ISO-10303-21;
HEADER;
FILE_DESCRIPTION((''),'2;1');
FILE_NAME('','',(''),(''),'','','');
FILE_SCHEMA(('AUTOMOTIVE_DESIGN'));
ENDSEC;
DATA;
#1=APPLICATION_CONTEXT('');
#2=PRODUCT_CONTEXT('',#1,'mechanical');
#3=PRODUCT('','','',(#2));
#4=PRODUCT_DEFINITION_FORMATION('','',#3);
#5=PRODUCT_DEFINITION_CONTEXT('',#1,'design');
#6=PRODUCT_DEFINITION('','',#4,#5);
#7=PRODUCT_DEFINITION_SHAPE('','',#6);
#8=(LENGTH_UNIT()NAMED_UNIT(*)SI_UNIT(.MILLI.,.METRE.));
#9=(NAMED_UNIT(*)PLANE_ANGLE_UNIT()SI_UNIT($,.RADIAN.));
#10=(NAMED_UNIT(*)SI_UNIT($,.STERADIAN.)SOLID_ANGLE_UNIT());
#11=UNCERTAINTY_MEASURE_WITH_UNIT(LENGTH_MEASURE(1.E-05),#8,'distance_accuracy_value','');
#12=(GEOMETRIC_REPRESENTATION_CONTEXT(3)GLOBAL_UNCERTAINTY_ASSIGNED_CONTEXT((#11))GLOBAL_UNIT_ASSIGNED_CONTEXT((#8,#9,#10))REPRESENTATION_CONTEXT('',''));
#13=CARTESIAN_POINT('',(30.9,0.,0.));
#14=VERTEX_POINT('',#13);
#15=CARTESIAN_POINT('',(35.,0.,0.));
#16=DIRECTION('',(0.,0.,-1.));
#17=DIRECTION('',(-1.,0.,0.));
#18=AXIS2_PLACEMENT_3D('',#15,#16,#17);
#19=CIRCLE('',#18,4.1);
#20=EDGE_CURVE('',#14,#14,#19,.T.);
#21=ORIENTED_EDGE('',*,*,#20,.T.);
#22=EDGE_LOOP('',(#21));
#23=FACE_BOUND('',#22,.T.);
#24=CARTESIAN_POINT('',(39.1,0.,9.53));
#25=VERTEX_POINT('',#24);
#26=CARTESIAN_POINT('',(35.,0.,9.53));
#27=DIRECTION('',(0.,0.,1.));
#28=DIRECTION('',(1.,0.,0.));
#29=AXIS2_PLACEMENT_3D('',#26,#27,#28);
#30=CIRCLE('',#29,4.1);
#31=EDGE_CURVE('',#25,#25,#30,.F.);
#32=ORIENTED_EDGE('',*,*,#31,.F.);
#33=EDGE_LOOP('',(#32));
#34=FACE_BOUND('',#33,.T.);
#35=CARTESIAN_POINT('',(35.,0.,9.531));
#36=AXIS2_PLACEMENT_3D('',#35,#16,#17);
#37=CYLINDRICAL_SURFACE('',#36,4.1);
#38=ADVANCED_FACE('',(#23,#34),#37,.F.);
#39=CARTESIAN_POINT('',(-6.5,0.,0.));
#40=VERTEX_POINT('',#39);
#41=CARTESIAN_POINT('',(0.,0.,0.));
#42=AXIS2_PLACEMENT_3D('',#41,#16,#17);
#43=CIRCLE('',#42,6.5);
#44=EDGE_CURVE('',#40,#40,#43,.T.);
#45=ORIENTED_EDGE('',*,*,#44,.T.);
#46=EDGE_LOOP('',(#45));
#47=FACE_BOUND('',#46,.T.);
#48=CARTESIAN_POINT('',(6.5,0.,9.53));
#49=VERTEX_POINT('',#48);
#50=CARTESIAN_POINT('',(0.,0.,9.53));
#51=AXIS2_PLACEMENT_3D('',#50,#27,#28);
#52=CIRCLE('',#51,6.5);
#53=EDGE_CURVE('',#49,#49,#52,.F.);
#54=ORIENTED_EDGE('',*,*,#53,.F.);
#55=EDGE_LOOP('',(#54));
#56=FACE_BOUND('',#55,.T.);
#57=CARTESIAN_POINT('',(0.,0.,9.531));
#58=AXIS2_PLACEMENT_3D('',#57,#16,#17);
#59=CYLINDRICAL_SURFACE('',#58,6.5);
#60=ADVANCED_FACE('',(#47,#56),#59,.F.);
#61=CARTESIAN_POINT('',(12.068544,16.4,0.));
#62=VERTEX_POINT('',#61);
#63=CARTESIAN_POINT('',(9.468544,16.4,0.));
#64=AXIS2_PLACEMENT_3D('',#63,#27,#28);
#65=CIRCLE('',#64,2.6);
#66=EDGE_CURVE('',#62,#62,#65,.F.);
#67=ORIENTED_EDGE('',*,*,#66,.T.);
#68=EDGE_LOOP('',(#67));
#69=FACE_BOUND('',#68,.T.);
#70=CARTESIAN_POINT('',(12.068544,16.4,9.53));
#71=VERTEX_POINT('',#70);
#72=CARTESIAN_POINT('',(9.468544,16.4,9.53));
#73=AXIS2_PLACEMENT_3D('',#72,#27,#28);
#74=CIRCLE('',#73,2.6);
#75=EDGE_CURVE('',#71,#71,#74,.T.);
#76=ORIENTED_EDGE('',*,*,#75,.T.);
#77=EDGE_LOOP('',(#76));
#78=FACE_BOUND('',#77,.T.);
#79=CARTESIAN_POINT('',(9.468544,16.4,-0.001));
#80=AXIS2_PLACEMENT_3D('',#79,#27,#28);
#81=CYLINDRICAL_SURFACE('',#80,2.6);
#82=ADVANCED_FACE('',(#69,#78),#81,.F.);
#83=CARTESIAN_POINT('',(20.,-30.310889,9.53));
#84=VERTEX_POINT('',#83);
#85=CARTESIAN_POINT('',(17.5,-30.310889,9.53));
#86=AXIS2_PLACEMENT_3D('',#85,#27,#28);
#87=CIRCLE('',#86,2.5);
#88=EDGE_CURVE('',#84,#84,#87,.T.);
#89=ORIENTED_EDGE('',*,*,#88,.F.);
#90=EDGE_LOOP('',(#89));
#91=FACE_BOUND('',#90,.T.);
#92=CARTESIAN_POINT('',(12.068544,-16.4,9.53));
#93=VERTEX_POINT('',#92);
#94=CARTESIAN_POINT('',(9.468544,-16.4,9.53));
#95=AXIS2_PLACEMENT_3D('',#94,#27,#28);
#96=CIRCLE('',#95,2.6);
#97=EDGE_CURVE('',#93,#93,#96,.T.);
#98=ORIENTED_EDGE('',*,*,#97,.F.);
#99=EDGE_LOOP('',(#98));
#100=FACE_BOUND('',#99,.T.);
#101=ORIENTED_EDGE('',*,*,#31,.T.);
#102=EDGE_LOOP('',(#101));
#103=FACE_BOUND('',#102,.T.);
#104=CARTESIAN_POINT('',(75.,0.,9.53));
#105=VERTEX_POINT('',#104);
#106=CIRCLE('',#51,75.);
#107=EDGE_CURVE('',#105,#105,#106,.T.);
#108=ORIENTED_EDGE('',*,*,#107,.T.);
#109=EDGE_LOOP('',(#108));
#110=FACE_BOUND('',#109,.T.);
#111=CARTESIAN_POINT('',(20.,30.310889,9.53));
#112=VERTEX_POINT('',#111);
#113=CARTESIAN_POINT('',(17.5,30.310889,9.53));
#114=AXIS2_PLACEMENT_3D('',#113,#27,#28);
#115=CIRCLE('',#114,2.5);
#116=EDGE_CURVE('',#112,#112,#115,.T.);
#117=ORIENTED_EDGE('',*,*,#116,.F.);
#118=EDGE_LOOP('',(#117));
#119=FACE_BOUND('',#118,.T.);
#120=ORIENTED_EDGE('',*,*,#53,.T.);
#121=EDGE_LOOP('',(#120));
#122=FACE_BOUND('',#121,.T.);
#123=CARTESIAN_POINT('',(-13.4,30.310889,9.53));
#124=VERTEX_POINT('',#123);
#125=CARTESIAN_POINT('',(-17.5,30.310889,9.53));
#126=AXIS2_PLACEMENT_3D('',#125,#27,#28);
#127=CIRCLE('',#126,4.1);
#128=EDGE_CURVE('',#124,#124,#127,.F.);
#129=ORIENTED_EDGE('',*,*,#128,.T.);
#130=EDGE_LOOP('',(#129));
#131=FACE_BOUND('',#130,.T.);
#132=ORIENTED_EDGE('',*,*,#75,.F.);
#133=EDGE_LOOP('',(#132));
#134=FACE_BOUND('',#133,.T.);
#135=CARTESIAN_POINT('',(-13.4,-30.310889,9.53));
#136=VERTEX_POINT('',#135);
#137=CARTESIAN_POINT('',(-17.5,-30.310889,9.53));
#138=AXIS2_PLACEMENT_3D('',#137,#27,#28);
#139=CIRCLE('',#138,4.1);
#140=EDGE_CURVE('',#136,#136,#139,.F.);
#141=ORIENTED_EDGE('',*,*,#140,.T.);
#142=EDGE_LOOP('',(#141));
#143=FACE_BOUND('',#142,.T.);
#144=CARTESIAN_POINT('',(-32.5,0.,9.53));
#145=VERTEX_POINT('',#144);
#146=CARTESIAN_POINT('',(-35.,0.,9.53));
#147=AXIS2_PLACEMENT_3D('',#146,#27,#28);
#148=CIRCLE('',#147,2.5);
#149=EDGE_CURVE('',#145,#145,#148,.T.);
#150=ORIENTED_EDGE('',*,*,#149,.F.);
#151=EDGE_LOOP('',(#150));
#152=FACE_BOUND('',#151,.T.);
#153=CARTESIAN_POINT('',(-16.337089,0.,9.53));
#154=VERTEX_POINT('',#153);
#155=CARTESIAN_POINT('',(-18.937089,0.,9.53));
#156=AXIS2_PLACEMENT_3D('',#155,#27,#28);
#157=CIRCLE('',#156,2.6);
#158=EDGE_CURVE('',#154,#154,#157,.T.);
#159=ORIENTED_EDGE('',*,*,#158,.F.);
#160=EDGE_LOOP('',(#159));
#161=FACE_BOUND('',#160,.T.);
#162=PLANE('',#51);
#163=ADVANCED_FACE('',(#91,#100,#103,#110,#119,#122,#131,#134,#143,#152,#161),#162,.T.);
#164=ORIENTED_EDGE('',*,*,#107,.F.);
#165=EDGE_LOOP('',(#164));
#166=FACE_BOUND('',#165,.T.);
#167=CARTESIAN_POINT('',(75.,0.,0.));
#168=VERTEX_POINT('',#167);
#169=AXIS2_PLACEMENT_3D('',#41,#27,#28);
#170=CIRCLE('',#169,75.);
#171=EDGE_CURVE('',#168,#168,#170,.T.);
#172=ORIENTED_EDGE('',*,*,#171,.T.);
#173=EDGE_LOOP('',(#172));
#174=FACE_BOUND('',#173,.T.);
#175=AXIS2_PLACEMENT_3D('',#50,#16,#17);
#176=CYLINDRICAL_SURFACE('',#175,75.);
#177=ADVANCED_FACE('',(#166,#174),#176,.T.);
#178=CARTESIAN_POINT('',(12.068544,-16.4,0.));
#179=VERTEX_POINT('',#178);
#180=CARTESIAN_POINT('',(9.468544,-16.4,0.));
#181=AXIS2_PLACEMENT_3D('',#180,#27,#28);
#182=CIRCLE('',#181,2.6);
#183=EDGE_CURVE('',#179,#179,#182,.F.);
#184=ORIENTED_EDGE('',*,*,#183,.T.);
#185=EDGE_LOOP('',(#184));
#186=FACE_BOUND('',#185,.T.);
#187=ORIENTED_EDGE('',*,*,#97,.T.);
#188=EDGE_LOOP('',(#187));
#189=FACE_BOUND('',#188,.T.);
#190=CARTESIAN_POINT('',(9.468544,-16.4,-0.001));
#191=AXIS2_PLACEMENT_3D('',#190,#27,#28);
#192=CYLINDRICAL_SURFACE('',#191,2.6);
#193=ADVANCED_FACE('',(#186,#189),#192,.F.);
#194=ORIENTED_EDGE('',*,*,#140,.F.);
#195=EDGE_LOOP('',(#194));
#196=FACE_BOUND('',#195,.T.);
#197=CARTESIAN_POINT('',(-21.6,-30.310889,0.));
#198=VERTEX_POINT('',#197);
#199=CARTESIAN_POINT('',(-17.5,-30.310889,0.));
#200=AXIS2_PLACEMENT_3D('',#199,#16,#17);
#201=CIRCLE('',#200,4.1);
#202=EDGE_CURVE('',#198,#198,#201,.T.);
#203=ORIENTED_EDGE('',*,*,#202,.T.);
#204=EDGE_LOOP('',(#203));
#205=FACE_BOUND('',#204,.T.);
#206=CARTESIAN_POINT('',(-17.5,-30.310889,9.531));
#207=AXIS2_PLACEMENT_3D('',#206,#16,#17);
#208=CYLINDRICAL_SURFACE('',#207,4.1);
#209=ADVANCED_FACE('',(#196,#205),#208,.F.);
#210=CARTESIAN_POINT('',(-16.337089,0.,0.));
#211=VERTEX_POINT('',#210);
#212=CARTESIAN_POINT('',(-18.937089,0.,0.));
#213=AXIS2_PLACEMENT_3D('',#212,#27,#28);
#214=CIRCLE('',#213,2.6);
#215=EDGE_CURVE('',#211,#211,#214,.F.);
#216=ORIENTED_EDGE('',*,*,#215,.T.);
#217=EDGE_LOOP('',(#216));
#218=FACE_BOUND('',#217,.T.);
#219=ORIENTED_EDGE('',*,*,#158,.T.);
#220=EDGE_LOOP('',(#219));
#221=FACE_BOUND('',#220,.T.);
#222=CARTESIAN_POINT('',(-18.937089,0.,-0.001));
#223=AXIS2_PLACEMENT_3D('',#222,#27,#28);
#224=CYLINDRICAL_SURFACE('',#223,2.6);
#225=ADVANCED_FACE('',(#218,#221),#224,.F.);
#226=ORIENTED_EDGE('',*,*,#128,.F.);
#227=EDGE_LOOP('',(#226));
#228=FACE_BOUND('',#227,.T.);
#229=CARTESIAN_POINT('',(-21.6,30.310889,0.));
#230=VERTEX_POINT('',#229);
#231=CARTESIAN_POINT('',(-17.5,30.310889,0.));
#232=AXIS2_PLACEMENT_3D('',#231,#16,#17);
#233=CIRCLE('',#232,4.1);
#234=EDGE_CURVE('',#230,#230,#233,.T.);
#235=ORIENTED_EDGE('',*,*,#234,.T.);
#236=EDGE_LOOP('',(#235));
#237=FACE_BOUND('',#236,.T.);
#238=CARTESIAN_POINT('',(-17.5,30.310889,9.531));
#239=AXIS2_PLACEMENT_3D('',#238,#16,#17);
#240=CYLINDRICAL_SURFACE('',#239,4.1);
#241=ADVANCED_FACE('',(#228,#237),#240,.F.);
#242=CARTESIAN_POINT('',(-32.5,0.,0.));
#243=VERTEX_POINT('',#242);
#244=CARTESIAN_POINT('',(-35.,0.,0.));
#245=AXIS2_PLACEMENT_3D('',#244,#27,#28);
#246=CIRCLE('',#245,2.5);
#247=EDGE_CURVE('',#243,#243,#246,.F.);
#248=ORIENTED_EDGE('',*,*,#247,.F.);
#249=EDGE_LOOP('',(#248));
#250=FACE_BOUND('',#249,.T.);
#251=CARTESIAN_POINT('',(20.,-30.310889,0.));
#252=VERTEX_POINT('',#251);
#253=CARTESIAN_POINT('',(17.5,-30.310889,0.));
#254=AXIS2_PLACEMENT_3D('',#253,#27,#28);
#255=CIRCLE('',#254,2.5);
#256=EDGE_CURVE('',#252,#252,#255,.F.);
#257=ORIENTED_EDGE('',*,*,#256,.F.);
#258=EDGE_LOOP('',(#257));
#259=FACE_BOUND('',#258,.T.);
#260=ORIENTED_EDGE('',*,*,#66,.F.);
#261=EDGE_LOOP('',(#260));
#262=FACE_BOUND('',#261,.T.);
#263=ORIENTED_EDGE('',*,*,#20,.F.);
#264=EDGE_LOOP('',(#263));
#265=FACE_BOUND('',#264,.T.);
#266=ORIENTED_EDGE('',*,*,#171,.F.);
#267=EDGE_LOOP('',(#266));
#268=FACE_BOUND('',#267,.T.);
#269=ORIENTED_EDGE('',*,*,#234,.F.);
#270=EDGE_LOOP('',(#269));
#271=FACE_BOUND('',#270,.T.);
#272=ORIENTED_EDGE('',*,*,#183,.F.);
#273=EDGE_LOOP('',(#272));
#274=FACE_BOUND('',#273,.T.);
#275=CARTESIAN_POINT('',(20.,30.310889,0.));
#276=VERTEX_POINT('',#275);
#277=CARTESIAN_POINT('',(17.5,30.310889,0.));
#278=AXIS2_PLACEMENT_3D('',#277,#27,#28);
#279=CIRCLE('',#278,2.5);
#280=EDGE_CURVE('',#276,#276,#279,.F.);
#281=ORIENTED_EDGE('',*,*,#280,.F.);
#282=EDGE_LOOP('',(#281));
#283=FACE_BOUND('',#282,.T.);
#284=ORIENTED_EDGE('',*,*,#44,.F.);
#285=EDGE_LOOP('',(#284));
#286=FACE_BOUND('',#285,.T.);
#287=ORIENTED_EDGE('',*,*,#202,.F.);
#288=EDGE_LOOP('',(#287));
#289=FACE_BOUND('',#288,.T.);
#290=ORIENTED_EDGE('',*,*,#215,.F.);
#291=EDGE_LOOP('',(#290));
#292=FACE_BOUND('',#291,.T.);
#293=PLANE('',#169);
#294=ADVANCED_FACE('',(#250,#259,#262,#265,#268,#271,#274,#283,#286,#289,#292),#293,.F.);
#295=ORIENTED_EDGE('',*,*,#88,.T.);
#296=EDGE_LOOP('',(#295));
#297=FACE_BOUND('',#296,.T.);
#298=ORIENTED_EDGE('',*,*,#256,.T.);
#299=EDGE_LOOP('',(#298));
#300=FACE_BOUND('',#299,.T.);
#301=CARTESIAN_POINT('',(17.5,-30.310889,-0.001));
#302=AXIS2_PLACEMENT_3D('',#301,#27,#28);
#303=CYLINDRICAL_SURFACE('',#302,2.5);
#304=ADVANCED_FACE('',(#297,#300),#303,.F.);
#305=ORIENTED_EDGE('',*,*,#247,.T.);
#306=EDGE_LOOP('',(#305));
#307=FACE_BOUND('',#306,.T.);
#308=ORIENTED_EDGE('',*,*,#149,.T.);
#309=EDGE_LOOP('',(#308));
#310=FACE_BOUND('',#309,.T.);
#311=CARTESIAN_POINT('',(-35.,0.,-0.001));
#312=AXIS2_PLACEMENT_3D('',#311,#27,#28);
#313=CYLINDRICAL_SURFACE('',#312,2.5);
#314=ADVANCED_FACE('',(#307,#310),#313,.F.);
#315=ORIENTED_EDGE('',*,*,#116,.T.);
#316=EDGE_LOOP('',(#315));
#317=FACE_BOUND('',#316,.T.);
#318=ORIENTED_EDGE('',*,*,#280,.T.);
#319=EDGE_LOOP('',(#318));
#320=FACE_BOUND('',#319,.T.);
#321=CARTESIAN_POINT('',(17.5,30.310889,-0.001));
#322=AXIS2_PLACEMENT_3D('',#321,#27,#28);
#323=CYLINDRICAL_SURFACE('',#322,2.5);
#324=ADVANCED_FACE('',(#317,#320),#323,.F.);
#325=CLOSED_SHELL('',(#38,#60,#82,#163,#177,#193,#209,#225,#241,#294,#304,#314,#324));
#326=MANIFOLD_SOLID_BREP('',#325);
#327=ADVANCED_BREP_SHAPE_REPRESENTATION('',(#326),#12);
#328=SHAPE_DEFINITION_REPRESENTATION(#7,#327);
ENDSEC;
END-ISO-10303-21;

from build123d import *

# Parameters (mm, degrees)
CROQUIS1_R              = 75
SALIENTE_EXTRUIR1_DEPTH = 9.53
CORTAR_EXTRUIR1_REACH   = 11.53
CROQUIS2_R              = 4.1
CORTAR_EXTRUIR2_REACH   = 11.53
CROQUIS3_R              = 6.5
CORTAR_EXTRUIR3_REACH   = 11.53
CROQUIS4_R              = 2.6
CORTAR_EXTRUIR4_REACH   = 11.53
CROQUIS5_R              = 2.5


with BuildPart() as part:
    # Croquis1 → Saliente-Extruir1 (new body)
    with BuildSketch(Plane.XY):
        Circle(CROQUIS1_R)
    extrude(amount=SALIENTE_EXTRUIR1_DEPTH)

    # Croquis2 → Cortar-Extruir1 (cut, up to next)
    with BuildSketch(Plane(origin=(0, 0, 0), x_dir=(-1, 0, 0), z_dir=(0, 0, -1)), mode=Mode.PRIVATE) as cortar_extruir1_sk1:
        with Locations((-35, 0)):
            Circle(CROQUIS2_R)
    cortar_extruir1_tool1 = extrude(cortar_extruir1_sk1.sketch, amount=-CORTAR_EXTRUIR1_REACH, mode=Mode.PRIVATE) & part.part
    add(cortar_extruir1_tool1.solids().sort_by_distance((35, 0, 0))[0], mode=Mode.SUBTRACT)
    # Croquis2 → Cortar-Extruir1 (cut, up to next)
    with BuildSketch(Plane(origin=(0, 0, 0), x_dir=(-1, 0, 0), z_dir=(0, 0, -1)), mode=Mode.PRIVATE) as cortar_extruir1_sk2:
        with Locations((17.5, 30.310889132)):
            Circle(CROQUIS2_R)
    cortar_extruir1_tool2 = extrude(cortar_extruir1_sk2.sketch, amount=-CORTAR_EXTRUIR1_REACH, mode=Mode.PRIVATE) & part.part
    add(cortar_extruir1_tool2.solids().sort_by_distance((-17.5, 30.310889, 0))[0], mode=Mode.SUBTRACT)
    # Croquis2 → Cortar-Extruir1 (cut, up to next)
    with BuildSketch(Plane(origin=(0, 0, 0), x_dir=(-1, 0, 0), z_dir=(0, 0, -1)), mode=Mode.PRIVATE) as cortar_extruir1_sk3:
        with Locations((17.5, -30.310889132)):
            Circle(CROQUIS2_R)
    cortar_extruir1_tool3 = extrude(cortar_extruir1_sk3.sketch, amount=-CORTAR_EXTRUIR1_REACH, mode=Mode.PRIVATE) & part.part
    add(cortar_extruir1_tool3.solids().sort_by_distance((-17.5, -30.310889, 0))[0], mode=Mode.SUBTRACT)

    # Croquis3 → Cortar-Extruir2 (cut, up to next)
    with BuildSketch(Plane(origin=(0, 0, 0), x_dir=(-1, 0, 0), z_dir=(0, 0, -1)), mode=Mode.PRIVATE) as cortar_extruir2_sk1:
        Circle(CROQUIS3_R)
    cortar_extruir2_tool1 = extrude(cortar_extruir2_sk1.sketch, amount=-CORTAR_EXTRUIR2_REACH, mode=Mode.PRIVATE) & part.part
    add(cortar_extruir2_tool1.solids().sort_by_distance((0, 0, 0))[0], mode=Mode.SUBTRACT)

    # Croquis4 → Cortar-Extruir3 (cut, up to next)
    with BuildSketch(Plane.XY.offset(9.53), mode=Mode.PRIVATE) as cortar_extruir3_sk1:
        with Locations((-18.937088829, 0)):
            Circle(CROQUIS4_R)
    cortar_extruir3_tool1 = extrude(cortar_extruir3_sk1.sketch, amount=-CORTAR_EXTRUIR3_REACH, mode=Mode.PRIVATE) & part.part
    add(cortar_extruir3_tool1.solids().sort_by_distance((-18.937089, 0, 9.53))[0], mode=Mode.SUBTRACT)
    # Croquis4 → Cortar-Extruir3 (cut, up to next)
    with BuildSketch(Plane.XY.offset(9.53), mode=Mode.PRIVATE) as cortar_extruir3_sk2:
        with Locations((9.468544415, 16.4)):
            Circle(CROQUIS4_R)
    cortar_extruir3_tool2 = extrude(cortar_extruir3_sk2.sketch, amount=-CORTAR_EXTRUIR3_REACH, mode=Mode.PRIVATE) & part.part
    add(cortar_extruir3_tool2.solids().sort_by_distance((9.468544, 16.4, 9.53))[0], mode=Mode.SUBTRACT)
    # Croquis4 → Cortar-Extruir3 (cut, up to next)
    with BuildSketch(Plane.XY.offset(9.53), mode=Mode.PRIVATE) as cortar_extruir3_sk3:
        with Locations((9.468544415, -16.4)):
            Circle(CROQUIS4_R)
    cortar_extruir3_tool3 = extrude(cortar_extruir3_sk3.sketch, amount=-CORTAR_EXTRUIR3_REACH, mode=Mode.PRIVATE) & part.part
    add(cortar_extruir3_tool3.solids().sort_by_distance((9.468544, -16.4, 9.53))[0], mode=Mode.SUBTRACT)

    # Croquis5 → Cortar-Extruir4 (cut, up to next)
    with BuildSketch(Plane.XY.offset(9.53), mode=Mode.PRIVATE) as cortar_extruir4_sk1:
        with Locations((-35, 0)):
            Circle(CROQUIS5_R)
    cortar_extruir4_tool1 = extrude(cortar_extruir4_sk1.sketch, amount=-CORTAR_EXTRUIR4_REACH, mode=Mode.PRIVATE) & part.part
    add(cortar_extruir4_tool1.solids().sort_by_distance((-35, 0, 9.53))[0], mode=Mode.SUBTRACT)
    # Croquis5 → Cortar-Extruir4 (cut, up to next)
    with BuildSketch(Plane.XY.offset(9.53), mode=Mode.PRIVATE) as cortar_extruir4_sk2:
        with Locations((17.5, 30.310889132)):
            Circle(CROQUIS5_R)
    cortar_extruir4_tool2 = extrude(cortar_extruir4_sk2.sketch, amount=-CORTAR_EXTRUIR4_REACH, mode=Mode.PRIVATE) & part.part
    add(cortar_extruir4_tool2.solids().sort_by_distance((17.5, 30.310889, 9.53))[0], mode=Mode.SUBTRACT)
    # Croquis5 → Cortar-Extruir4 (cut, up to next)
    with BuildSketch(Plane.XY.offset(9.53), mode=Mode.PRIVATE) as cortar_extruir4_sk3:
        with Locations((17.5, -30.310889132)):
            Circle(CROQUIS5_R)
    cortar_extruir4_tool3 = extrude(cortar_extruir4_sk3.sketch, amount=-CORTAR_EXTRUIR4_REACH, mode=Mode.PRIVATE) & part.part
    add(cortar_extruir4_tool3.solids().sort_by_distance((17.5, -30.310889, 9.53))[0], mode=Mode.SUBTRACT)


solid = part.part
